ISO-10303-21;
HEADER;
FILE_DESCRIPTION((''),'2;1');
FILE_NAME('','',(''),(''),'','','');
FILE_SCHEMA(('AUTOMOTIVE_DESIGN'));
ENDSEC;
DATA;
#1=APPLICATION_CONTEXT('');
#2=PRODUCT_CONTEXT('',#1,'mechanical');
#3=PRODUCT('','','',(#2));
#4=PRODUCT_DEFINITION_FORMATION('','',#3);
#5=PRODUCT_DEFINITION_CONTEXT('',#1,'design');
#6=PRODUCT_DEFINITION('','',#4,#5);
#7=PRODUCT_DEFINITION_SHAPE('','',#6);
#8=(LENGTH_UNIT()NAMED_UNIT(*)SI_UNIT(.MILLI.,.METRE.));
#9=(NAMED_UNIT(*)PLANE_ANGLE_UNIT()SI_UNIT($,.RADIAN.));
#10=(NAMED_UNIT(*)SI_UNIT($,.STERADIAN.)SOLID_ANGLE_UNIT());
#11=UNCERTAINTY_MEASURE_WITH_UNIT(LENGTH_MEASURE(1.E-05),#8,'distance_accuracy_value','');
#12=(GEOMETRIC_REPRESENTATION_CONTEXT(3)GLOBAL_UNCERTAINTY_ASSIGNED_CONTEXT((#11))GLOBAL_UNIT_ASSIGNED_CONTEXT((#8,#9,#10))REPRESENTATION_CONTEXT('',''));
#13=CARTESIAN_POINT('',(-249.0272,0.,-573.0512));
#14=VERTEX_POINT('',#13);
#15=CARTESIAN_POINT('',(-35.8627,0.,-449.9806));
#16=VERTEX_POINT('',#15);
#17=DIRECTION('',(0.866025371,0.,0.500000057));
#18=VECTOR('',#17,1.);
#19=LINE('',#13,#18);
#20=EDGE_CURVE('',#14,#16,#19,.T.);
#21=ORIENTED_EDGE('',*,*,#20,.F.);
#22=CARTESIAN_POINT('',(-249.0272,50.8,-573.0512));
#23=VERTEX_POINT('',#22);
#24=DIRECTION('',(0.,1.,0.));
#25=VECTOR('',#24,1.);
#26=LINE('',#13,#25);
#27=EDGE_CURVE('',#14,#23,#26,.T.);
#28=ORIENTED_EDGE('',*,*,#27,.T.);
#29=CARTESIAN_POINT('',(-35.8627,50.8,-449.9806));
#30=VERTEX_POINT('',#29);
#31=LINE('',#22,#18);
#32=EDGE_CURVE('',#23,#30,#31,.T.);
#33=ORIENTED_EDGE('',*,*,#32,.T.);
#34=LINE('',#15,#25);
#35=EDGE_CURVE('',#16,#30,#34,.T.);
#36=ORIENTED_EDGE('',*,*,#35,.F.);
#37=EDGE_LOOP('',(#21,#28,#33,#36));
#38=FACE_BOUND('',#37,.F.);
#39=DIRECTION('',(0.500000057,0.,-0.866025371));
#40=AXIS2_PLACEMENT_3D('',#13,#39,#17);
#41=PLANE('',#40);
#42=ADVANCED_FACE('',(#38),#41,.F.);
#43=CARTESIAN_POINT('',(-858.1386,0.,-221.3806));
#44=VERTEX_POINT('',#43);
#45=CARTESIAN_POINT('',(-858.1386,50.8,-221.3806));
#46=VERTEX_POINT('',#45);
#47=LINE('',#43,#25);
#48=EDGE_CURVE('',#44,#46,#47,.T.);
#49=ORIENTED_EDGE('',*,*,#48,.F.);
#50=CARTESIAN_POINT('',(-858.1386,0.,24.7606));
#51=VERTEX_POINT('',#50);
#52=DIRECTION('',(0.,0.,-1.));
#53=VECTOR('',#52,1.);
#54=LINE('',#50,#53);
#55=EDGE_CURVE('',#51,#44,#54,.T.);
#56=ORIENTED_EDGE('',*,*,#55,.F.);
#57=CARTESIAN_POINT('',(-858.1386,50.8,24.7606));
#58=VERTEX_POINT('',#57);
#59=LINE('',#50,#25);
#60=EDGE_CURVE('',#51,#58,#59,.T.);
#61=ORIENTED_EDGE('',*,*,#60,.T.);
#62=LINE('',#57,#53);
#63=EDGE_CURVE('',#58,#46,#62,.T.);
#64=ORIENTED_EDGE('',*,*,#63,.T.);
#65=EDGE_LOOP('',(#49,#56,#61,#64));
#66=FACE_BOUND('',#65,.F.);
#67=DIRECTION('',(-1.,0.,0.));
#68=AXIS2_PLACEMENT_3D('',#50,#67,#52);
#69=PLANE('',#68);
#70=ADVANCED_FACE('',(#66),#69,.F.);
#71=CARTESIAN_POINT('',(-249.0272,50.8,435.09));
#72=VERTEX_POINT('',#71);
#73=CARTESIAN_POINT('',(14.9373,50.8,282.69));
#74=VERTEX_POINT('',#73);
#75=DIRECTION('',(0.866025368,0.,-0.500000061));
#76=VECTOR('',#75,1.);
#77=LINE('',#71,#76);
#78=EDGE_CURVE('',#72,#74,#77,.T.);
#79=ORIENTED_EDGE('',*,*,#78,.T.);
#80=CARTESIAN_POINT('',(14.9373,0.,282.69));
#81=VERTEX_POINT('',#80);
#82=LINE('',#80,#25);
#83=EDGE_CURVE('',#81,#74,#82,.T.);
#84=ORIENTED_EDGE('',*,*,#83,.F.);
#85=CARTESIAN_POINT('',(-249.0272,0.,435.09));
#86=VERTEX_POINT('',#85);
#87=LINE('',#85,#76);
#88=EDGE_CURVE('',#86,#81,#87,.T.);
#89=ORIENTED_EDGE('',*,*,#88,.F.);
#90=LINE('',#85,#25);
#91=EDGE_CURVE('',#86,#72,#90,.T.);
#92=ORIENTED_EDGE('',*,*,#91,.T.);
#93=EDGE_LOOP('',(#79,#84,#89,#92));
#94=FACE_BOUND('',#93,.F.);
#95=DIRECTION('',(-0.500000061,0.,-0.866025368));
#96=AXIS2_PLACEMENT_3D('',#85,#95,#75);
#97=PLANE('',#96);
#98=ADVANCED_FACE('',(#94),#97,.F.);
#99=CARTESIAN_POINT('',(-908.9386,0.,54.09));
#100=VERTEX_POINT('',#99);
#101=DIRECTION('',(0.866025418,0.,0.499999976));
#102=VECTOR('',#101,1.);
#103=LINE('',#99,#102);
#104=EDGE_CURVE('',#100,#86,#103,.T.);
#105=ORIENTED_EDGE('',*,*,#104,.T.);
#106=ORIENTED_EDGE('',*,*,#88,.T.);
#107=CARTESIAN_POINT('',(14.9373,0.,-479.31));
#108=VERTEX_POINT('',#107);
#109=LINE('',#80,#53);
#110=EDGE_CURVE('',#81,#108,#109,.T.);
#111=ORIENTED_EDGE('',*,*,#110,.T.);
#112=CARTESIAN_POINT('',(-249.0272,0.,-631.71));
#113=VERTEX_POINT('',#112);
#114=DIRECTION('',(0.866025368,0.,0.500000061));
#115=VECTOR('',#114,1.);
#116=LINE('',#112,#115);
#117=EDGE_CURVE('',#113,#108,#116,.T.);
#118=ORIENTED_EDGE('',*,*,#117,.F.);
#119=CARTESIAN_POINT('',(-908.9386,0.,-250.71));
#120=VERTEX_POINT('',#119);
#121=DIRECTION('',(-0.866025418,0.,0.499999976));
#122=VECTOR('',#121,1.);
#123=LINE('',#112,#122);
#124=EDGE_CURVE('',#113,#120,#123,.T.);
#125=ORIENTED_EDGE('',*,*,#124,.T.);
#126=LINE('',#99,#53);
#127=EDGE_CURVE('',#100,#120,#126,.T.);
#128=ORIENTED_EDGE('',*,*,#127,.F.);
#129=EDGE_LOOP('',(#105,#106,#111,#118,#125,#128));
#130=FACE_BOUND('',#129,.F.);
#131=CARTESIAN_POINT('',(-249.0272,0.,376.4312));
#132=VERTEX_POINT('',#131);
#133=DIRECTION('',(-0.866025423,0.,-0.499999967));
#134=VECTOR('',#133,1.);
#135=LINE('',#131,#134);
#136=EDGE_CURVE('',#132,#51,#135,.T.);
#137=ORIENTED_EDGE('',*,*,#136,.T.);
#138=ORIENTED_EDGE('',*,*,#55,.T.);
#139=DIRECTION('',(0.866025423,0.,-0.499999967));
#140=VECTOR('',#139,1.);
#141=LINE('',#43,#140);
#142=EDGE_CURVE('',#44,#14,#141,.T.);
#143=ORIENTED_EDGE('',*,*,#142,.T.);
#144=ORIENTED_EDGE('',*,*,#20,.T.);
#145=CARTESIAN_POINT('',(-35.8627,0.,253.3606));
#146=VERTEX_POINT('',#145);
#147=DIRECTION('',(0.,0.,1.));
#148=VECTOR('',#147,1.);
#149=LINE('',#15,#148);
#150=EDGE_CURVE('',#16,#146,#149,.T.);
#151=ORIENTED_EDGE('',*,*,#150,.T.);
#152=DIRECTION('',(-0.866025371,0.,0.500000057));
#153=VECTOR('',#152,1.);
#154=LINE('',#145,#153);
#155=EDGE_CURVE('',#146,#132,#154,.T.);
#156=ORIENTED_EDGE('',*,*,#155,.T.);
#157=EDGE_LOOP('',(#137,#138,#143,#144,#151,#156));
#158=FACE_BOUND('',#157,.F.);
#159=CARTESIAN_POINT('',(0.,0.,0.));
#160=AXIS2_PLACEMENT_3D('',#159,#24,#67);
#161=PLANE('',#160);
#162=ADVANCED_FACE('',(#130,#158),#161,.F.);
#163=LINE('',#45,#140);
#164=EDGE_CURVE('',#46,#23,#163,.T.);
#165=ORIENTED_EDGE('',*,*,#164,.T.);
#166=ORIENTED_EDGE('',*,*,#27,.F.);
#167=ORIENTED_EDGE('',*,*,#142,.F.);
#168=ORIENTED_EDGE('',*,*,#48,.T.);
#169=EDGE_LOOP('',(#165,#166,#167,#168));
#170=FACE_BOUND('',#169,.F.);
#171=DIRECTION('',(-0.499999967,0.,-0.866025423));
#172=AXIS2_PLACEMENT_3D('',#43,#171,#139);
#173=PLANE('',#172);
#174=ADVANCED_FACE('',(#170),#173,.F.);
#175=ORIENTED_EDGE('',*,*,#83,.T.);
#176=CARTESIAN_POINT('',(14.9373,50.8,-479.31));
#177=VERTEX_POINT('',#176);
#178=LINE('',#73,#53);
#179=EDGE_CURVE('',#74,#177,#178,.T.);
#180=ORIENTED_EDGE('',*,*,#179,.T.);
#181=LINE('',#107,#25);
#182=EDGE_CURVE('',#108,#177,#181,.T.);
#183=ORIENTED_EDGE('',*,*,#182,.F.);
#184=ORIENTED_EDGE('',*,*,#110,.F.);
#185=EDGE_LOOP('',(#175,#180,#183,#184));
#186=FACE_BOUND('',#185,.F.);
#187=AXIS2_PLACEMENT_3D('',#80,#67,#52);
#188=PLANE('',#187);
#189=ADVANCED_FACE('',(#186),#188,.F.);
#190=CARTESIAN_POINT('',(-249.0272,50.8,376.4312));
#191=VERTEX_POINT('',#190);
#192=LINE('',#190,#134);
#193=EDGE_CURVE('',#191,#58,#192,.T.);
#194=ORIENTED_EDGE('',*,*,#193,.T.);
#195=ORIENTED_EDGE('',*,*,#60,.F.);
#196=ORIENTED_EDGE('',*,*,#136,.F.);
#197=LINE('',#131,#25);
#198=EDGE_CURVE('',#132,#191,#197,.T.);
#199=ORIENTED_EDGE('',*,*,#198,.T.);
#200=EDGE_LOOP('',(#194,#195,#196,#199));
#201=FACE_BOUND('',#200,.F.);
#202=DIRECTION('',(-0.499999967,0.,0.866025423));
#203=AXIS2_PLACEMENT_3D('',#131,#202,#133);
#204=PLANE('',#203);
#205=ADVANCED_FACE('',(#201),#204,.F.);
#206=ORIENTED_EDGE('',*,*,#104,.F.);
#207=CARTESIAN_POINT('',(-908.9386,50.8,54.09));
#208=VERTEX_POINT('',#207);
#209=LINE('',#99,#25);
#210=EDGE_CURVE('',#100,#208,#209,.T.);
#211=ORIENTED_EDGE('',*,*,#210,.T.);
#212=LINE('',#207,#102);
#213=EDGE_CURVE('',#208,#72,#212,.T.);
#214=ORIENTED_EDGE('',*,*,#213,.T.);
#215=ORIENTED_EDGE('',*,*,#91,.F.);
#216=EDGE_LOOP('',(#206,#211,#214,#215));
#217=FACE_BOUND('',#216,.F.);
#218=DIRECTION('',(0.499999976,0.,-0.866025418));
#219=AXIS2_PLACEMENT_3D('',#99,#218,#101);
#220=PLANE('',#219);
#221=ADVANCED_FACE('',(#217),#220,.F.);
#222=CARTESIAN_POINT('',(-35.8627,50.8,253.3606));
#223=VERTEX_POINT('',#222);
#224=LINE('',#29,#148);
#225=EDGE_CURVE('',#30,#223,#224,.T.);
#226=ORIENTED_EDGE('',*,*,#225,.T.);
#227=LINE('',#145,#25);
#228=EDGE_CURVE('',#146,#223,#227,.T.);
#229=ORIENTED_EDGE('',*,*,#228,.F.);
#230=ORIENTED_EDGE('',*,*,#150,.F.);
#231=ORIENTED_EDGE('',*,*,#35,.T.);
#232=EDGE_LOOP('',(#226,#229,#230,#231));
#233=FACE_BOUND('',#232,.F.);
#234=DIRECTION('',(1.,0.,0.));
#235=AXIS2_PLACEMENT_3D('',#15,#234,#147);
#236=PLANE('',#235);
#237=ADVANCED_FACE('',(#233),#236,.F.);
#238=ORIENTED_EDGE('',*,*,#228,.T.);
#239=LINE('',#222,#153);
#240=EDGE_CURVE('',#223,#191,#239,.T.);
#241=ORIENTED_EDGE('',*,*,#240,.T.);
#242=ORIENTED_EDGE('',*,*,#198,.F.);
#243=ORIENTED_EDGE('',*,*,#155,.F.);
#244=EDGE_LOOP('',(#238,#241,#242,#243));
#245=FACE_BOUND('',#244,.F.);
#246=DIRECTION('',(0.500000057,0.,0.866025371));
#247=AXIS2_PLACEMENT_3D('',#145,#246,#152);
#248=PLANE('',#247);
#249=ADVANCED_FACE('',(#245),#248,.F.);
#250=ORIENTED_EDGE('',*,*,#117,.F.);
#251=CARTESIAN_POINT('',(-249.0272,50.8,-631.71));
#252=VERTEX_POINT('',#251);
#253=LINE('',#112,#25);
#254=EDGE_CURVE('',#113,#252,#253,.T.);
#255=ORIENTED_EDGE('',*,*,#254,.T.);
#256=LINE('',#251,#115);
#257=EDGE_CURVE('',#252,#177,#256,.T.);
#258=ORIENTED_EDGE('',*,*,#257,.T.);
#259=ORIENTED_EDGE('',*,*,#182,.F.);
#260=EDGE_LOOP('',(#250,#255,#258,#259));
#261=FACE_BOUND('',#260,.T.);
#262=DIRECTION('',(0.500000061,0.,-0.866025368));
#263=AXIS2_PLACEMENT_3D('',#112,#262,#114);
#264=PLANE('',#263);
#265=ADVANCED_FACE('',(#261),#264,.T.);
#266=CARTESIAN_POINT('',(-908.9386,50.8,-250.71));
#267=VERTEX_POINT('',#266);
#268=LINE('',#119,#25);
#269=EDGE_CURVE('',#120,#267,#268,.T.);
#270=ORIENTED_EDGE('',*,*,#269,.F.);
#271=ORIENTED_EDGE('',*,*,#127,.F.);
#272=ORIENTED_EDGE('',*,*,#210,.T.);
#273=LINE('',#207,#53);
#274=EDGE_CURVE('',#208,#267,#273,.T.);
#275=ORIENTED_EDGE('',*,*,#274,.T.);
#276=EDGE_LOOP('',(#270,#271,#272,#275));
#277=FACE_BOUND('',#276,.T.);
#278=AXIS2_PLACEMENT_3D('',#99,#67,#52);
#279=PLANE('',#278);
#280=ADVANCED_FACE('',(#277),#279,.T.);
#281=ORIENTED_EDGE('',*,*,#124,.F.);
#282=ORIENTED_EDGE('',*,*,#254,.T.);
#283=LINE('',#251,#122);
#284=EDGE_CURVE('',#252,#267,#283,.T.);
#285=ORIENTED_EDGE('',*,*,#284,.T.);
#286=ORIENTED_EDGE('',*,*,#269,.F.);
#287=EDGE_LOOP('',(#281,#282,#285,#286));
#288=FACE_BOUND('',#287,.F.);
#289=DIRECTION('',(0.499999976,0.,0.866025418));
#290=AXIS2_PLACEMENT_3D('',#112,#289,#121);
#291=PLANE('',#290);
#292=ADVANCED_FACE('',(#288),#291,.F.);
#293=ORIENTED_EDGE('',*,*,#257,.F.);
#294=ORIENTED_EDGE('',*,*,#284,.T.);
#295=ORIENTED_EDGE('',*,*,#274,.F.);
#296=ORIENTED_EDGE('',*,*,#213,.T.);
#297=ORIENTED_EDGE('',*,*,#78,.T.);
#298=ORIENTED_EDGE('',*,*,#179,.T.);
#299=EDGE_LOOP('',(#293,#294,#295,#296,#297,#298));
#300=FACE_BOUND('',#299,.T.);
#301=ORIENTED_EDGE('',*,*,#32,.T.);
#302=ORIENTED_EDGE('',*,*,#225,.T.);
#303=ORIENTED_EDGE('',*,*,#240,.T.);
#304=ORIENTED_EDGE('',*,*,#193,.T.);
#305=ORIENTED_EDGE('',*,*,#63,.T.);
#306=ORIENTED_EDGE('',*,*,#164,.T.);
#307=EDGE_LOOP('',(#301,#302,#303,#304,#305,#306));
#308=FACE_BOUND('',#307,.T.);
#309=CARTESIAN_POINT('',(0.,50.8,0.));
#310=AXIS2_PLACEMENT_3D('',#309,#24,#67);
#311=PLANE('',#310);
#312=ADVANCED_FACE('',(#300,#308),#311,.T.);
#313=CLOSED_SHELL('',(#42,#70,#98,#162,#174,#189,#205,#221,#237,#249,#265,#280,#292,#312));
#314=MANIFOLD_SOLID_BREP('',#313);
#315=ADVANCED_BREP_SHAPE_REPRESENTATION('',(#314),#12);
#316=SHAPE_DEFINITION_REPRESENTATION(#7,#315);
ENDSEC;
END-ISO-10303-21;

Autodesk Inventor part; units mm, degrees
ref_plane "YZ Plane" through (0, 0, 0) normal (1, 0, 0) x (0, 1, 0)
ref_plane "XZ Plane" through (0, 0, 0) normal (0, 1, 0) x (-1, 0, 0)
ref_plane "XY Plane" through (0, 0, 0) normal (0, 0, 1) x (1, 0, 0)
sketch "Sketch1" plane through (0, 0, 0) normal (0, 1, 0) x (-1, 0, 0)
  line L0 (908.9386, 54.09) -> (249.0272, 435.09)
  line L1 (-14.9373, 282.69) -> (-14.9373, -479.31)
  line L2 (249.0272, -631.71) -> (908.9386, -250.71)
  line L3 (908.9386, 54.09) -> (908.9386, -250.71)
  line L4 (249.0272, 435.09) -> (-14.9373, 282.69)
  line L5 (249.0272, -631.71) -> (-14.9373, -479.31)
  line L6 (249.0272, 376.4312) -> (858.1386, 24.7606)
  line L7 (858.1386, 24.7606) -> (858.1386, -221.3806)
  line L8 (858.1386, -221.3806) -> (249.0272, -573.0512)
  line L9 (249.0272, -573.0512) -> (35.8627, -449.9806)
  line L10 (35.8627, -449.9806) -> (35.8627, 253.3606)
  line L11 (35.8627, 253.3606) -> (249.0272, 376.4312)
  point P0 (585.2718, 213.955)
  point P1 (585.2718, -412.5235)
  point P2 (549.3078, 234.7189)
  point P3 (5.5839, -79.2003)
  point P4 (550.9952, -432.3131)
  point P5 (5.5839, -117.4198)
  point P6 (522.9199, 249.9539)
  point P7 (5.5839, -48.7302)
  point P8 (5.5839, -143.4951)
  point P9 (528.4133, -445.3508)
  point P10 (612.3851, 198.3012)
  point P11 (612.3851, -396.8697)
  point P12 (908.9386, -98.31)
  point P13 (117.0449, -555.51)
  dimension "d48" = 50.8
extrude "Extrusion7" add sketch "Sketch1" along normal blind 50.8
properties part number "BasePlatform" material "Steel"
